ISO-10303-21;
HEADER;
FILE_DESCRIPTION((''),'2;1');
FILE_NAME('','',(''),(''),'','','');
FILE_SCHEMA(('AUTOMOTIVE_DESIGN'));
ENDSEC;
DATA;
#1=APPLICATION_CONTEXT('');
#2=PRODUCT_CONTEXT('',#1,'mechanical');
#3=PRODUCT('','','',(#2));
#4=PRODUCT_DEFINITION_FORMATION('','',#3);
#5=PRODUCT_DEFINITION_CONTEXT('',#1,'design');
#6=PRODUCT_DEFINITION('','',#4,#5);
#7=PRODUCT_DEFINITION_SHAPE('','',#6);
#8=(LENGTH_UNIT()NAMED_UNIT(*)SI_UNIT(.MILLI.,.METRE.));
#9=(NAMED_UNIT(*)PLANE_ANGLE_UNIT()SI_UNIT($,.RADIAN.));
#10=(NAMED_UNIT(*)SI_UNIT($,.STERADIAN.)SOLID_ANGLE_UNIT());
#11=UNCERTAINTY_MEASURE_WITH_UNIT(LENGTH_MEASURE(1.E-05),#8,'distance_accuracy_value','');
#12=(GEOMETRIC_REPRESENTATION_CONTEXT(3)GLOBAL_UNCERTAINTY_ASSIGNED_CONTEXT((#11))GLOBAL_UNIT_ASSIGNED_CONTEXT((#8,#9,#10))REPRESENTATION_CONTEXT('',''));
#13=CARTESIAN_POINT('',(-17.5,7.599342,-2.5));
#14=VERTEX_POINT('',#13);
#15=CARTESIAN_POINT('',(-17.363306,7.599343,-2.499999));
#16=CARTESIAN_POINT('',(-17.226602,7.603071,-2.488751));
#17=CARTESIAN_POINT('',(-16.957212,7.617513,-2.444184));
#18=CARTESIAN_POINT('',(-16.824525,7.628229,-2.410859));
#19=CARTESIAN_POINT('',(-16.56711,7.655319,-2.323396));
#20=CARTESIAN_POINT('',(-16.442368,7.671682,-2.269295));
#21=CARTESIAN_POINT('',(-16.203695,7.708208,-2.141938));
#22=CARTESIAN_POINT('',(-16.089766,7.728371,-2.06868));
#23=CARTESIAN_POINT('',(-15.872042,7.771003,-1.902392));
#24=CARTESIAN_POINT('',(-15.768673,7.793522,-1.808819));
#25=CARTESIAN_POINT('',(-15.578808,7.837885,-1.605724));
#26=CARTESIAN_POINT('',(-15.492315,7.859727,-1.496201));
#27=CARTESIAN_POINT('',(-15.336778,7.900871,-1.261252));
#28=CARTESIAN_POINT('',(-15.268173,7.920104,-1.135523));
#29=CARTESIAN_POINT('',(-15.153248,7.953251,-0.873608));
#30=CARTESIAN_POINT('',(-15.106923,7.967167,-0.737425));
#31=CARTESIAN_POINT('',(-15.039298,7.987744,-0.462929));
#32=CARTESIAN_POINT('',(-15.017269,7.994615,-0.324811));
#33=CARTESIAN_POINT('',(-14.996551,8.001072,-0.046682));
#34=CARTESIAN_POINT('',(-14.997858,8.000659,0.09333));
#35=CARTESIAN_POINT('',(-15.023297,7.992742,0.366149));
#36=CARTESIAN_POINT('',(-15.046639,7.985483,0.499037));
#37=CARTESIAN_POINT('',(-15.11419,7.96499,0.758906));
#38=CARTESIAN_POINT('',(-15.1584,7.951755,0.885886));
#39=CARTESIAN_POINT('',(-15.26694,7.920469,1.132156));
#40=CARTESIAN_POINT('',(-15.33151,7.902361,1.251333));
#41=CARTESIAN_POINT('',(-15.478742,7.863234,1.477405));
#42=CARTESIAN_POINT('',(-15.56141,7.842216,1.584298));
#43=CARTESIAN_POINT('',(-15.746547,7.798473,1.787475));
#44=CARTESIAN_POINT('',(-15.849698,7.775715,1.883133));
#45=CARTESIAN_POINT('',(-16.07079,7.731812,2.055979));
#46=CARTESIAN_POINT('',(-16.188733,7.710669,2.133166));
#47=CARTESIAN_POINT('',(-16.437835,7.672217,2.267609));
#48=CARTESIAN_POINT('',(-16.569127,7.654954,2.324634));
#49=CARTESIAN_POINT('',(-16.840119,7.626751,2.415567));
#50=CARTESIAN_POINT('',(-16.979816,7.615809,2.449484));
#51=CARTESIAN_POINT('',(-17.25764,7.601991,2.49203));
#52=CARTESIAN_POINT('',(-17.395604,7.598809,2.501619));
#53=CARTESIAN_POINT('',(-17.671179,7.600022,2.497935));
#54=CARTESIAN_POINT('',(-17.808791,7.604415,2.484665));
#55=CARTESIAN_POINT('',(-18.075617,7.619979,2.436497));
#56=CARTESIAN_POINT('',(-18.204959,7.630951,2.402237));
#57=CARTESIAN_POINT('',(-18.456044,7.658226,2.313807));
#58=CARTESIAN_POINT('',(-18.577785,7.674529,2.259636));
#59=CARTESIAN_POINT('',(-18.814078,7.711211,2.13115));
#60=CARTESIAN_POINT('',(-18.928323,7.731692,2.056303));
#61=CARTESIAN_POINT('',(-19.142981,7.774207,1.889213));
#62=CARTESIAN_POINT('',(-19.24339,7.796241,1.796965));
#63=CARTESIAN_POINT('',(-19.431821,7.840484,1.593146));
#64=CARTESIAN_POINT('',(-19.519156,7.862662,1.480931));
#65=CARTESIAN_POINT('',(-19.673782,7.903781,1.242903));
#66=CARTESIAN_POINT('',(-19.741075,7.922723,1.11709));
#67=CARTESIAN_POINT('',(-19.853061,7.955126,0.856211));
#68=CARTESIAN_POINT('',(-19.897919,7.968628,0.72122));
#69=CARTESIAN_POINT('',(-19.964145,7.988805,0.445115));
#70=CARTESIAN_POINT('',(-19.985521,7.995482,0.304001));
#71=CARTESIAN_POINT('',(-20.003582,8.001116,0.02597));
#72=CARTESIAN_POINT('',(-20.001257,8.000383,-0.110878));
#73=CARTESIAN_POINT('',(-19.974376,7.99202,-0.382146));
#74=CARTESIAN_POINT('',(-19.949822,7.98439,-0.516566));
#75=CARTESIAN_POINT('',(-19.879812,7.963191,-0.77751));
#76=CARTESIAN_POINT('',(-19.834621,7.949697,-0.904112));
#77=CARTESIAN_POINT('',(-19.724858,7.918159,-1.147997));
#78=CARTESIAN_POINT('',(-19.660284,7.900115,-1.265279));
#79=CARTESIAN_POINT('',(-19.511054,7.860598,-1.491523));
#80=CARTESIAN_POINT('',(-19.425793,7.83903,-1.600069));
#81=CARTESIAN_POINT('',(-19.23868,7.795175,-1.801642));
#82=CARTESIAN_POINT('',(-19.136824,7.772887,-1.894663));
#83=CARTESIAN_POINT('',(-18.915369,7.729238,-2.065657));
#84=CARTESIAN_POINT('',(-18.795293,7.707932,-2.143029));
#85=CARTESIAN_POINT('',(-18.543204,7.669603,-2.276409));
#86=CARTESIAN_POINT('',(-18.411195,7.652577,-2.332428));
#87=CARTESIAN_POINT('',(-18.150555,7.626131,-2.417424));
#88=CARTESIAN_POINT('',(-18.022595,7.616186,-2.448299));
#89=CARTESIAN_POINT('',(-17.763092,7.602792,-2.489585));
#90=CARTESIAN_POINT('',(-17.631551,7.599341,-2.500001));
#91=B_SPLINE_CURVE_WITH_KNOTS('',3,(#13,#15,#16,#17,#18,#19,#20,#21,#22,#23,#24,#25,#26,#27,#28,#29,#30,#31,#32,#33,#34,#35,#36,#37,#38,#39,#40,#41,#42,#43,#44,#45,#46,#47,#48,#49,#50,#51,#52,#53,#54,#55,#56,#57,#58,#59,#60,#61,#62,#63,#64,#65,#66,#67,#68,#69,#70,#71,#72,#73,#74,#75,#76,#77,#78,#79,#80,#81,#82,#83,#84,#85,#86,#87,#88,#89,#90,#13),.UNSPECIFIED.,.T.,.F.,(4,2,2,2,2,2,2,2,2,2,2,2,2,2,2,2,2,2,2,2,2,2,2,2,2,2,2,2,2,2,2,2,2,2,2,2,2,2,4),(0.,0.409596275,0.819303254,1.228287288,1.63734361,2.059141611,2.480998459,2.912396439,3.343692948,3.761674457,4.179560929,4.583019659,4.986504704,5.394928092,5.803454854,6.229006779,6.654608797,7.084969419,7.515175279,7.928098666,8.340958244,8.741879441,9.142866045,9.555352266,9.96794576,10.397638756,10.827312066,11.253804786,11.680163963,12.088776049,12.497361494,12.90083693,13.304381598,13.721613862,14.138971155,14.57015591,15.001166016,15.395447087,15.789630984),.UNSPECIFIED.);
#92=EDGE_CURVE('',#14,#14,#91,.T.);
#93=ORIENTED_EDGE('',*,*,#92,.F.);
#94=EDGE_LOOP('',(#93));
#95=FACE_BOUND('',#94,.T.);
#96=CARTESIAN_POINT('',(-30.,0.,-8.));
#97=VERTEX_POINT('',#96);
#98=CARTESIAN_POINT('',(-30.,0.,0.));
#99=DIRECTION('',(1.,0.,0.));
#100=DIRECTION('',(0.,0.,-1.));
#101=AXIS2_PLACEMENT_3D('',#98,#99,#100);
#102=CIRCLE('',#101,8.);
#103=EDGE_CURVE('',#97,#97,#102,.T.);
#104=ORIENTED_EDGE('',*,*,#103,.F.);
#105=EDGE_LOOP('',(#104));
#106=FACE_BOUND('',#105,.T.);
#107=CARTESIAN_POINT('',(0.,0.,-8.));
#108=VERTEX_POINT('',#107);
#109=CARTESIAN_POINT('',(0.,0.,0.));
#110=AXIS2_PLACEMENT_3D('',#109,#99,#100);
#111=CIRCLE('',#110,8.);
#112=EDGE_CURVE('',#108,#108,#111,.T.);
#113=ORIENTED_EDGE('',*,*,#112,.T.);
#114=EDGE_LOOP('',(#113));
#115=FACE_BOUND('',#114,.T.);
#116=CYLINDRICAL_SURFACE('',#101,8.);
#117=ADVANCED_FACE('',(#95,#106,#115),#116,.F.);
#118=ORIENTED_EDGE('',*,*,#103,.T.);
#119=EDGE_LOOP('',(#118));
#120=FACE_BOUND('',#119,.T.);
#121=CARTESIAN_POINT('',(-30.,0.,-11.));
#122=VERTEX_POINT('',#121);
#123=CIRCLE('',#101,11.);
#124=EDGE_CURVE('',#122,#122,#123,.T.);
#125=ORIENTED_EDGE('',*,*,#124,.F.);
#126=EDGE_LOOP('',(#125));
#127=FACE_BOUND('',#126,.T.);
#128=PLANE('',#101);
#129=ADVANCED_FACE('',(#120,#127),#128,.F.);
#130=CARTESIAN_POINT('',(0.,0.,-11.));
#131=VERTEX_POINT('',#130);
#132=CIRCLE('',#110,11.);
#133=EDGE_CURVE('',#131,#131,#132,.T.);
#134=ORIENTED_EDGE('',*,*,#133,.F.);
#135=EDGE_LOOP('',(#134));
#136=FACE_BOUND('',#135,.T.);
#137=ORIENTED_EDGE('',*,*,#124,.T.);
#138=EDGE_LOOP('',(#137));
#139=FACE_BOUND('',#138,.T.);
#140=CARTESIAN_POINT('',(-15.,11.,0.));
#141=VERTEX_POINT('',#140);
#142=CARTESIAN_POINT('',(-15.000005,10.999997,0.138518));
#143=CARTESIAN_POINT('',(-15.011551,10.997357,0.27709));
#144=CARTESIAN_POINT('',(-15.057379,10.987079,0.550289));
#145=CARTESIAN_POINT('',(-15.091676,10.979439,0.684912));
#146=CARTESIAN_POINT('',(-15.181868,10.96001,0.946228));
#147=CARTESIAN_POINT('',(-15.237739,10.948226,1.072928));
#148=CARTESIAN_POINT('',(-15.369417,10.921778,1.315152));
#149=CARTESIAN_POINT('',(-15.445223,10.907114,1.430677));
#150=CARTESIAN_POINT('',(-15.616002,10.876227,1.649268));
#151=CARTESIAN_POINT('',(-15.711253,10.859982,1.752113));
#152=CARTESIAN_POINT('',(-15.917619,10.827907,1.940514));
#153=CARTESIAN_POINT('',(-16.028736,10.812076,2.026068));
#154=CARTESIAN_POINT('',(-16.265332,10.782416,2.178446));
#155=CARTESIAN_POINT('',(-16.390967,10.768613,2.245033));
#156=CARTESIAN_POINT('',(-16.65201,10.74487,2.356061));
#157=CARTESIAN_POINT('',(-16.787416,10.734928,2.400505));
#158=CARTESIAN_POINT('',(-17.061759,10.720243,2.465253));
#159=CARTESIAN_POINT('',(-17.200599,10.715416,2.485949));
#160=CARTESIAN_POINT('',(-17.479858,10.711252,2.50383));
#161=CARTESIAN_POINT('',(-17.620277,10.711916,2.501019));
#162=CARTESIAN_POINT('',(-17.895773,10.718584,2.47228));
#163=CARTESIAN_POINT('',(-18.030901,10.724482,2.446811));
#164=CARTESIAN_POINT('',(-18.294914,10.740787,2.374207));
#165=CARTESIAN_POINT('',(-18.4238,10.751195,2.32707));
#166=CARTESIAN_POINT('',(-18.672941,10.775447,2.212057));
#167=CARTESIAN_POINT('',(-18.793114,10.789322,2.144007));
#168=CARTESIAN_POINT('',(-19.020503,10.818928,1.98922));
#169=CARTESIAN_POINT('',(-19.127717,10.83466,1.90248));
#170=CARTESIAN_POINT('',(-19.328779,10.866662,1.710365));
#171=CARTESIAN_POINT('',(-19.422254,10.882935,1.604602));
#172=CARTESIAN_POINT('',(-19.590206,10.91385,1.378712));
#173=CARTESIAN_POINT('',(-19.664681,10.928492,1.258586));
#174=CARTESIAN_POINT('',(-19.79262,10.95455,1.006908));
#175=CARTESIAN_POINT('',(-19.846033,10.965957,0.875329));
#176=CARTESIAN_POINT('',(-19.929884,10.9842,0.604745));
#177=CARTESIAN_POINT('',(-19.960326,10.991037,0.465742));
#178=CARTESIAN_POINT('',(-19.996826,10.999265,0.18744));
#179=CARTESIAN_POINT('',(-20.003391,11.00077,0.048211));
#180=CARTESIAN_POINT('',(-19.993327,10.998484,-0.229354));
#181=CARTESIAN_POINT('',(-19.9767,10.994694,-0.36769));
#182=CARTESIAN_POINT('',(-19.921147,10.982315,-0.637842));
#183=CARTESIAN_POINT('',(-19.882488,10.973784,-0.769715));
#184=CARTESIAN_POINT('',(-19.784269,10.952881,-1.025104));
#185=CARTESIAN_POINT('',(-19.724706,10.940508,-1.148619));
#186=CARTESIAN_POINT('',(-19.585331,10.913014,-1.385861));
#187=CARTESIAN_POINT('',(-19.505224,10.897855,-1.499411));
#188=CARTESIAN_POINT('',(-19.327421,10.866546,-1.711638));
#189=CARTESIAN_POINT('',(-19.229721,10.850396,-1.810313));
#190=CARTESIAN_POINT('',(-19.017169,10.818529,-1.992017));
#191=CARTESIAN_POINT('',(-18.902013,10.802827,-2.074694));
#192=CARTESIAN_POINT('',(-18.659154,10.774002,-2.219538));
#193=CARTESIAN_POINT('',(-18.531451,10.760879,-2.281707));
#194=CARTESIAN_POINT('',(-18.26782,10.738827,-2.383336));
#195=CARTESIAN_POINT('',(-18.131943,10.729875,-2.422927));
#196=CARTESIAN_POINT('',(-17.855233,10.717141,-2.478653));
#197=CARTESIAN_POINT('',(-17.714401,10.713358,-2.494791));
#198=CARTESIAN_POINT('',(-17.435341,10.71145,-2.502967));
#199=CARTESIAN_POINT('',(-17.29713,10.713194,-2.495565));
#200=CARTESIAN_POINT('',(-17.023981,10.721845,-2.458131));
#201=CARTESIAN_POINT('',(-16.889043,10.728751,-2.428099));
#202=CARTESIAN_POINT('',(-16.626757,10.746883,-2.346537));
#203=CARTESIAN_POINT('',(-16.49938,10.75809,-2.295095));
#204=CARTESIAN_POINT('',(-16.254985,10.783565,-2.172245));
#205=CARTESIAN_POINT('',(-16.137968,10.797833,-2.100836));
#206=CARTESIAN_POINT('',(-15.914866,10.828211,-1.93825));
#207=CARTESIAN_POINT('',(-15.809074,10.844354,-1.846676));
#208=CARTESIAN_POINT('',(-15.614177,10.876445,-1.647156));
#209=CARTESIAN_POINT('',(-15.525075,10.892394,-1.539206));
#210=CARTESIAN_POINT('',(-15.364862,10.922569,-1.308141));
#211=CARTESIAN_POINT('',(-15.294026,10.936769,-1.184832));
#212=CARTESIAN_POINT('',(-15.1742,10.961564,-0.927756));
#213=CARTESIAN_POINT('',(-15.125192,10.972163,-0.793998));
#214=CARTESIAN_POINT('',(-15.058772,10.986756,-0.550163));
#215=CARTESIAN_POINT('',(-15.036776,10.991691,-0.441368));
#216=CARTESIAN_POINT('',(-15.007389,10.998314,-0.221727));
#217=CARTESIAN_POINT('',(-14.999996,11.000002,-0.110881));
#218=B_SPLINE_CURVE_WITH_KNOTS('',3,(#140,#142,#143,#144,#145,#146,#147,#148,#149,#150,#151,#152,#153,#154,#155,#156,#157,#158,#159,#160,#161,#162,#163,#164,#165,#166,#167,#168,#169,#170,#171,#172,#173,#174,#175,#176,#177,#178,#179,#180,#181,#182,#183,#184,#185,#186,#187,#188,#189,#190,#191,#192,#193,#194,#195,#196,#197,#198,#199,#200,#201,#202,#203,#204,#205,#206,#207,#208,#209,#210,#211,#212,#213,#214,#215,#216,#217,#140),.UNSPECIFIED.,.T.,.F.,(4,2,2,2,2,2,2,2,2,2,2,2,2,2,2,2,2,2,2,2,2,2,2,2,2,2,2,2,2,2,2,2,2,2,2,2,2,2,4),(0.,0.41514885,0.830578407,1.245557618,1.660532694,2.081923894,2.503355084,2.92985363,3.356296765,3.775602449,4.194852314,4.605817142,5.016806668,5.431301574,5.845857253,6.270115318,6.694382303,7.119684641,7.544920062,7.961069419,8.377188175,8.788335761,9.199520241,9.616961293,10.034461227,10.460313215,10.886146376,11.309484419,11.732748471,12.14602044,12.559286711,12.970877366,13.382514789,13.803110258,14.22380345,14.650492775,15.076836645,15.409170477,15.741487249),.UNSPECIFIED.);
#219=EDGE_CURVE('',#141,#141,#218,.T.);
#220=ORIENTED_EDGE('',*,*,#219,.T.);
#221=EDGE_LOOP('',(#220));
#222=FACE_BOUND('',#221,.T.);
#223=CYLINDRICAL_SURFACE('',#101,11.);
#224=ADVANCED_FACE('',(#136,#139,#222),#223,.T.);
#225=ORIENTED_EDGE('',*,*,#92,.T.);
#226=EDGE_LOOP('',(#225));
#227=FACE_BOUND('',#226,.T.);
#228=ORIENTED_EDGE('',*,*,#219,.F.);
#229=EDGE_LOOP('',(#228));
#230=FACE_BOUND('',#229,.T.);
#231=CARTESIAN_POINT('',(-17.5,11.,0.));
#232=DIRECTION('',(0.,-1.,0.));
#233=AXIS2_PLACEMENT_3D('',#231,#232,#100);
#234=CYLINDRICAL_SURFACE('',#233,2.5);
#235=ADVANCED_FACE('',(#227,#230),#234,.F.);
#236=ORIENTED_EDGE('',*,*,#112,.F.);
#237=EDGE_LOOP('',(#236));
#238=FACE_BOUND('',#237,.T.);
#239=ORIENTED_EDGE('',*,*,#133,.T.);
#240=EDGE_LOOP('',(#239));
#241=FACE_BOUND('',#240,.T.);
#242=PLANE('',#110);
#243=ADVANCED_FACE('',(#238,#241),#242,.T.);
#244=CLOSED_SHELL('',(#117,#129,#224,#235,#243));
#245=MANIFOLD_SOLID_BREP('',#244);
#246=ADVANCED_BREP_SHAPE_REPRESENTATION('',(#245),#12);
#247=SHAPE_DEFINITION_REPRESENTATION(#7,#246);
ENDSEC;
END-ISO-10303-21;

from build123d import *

# Parameters (mm, degrees)
SKETCH_1_R          = 11
SKETCH_1_R_2        = 8
EXTRUDE_1_DEPTH     = 30
SKETCH_2_R          = 2.5
CUT_EXTRUDE_1_DEPTH = 12


with BuildPart() as part:
    # 草图1 → 凸台-拉伸1 (new body)
    with BuildSketch(Plane(origin=(0, 0, 0), x_dir=(0, 0, -1), z_dir=(1, 0, 0))):
        Circle(SKETCH_1_R)
        Circle(SKETCH_1_R_2, mode=Mode.SUBTRACT)
    extrude(amount=-EXTRUDE_1_DEPTH)

    # 草图2 → 切除-拉伸1 (cut, through all)
    with BuildSketch(Plane(origin=(0, 0, 0), x_dir=(1, 0, 0), z_dir=(0, 1, 0))):
        with Locations((-17.5, 0)):
            Circle(SKETCH_2_R)
    extrude(amount=CUT_EXTRUDE_1_DEPTH, mode=Mode.SUBTRACT)


solid = part.part
